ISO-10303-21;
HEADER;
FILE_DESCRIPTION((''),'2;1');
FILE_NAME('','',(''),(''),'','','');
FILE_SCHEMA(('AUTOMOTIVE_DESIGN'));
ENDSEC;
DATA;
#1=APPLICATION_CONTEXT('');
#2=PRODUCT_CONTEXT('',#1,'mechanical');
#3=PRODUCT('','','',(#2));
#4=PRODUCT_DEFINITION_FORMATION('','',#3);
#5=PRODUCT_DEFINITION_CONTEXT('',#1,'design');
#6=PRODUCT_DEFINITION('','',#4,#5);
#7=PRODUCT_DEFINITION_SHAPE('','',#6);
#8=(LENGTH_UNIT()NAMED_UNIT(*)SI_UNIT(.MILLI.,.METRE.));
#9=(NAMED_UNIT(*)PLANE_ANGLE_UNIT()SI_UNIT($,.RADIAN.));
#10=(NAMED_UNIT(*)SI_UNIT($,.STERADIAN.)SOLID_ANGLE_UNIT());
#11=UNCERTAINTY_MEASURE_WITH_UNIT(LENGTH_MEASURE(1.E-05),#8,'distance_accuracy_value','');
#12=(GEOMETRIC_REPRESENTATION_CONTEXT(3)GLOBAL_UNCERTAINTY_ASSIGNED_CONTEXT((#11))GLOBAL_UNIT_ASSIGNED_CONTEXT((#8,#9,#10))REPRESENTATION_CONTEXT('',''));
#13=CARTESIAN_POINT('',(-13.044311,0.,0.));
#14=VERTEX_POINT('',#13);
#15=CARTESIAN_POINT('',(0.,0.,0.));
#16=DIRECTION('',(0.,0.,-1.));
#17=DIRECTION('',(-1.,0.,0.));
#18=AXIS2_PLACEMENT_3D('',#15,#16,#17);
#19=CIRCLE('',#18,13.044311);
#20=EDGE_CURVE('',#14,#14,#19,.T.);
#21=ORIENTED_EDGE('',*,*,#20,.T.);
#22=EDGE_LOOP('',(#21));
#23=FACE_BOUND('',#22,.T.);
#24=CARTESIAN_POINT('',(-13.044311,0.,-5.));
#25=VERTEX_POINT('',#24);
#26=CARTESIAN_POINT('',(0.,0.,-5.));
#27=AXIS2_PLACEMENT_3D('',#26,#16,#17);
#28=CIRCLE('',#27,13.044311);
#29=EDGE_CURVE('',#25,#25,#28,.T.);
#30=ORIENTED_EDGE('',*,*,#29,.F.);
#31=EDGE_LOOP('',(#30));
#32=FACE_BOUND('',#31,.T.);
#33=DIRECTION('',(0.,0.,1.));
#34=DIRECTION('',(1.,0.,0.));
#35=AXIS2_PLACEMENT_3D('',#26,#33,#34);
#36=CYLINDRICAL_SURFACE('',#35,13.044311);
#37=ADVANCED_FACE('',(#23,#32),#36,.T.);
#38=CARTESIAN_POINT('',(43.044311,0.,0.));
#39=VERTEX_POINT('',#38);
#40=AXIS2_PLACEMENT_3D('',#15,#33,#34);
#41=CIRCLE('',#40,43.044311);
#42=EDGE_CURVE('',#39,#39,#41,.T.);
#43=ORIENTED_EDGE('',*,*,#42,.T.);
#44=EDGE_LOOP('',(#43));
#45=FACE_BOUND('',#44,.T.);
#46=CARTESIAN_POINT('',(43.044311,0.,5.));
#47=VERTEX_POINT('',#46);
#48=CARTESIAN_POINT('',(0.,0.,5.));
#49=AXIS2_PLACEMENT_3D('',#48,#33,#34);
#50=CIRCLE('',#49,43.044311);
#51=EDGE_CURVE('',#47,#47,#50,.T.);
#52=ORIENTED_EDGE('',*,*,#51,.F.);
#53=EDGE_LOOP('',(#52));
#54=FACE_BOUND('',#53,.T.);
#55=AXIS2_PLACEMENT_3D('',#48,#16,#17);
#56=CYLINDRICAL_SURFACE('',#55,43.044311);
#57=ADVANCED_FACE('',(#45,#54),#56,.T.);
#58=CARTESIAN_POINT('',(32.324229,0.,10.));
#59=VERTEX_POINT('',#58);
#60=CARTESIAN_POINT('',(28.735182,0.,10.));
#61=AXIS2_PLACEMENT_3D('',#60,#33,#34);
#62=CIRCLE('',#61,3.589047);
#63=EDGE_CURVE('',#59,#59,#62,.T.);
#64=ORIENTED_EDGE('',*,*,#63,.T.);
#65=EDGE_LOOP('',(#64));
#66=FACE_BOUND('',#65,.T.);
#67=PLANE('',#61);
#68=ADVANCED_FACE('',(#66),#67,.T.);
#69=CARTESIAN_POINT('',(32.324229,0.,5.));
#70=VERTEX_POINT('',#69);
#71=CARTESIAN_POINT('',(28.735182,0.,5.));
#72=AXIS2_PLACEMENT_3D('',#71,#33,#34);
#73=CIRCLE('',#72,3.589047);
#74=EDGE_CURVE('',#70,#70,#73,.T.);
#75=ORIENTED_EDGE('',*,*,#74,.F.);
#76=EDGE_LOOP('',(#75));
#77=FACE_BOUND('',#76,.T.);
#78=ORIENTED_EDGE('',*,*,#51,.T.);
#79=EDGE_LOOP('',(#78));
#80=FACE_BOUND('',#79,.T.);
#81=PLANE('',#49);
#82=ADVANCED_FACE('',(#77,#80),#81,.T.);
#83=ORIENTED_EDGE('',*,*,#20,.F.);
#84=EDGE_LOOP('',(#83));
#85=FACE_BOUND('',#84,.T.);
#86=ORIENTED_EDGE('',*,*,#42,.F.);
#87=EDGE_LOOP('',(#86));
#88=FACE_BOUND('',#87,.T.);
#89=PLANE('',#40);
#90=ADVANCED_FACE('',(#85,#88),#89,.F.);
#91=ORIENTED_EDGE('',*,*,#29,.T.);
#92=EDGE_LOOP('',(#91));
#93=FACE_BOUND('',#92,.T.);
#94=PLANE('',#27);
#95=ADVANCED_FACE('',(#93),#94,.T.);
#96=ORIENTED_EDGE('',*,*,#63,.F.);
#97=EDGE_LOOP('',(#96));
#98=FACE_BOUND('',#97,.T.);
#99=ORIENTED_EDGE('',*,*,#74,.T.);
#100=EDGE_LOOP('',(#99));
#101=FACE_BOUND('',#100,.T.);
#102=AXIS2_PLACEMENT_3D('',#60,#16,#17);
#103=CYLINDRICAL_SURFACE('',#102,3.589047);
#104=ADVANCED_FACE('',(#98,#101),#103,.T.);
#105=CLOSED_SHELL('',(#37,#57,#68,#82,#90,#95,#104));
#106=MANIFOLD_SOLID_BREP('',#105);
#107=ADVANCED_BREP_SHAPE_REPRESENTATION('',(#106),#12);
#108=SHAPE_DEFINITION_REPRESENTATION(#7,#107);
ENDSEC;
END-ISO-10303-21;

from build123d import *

# Parameters (mm, degrees)
SKETCH2_R           = 43.044310864
BOSS_EXTRUDE1_DEPTH = 5
SKETCH3_R           = 3.589046815
BOSS_EXTRUDE2_DEPTH = 5
SKETCH4_R           = 13.044310864
BOSS_EXTRUDE3_DEPTH = 5


with BuildPart() as part:
    # Sketch2 → Boss-Extrude1 (new body)
    with BuildSketch(Plane.XY):
        Circle(SKETCH2_R)
    extrude(amount=BOSS_EXTRUDE1_DEPTH)

    # Sketch3 → Boss-Extrude2 (add)
    with BuildSketch(Plane.XY.offset(5)):
        with Locations((28.73518241, 0)):
            Circle(SKETCH3_R)
    extrude(amount=BOSS_EXTRUDE2_DEPTH)

    # Sketch4 → Boss-Extrude3 (add)
    with BuildSketch(Plane(origin=(0, 0, 0), x_dir=(-1, 0, 0), z_dir=(0, 0, -1))):
        Circle(SKETCH4_R)
    extrude(amount=BOSS_EXTRUDE3_DEPTH)


solid = part.part
